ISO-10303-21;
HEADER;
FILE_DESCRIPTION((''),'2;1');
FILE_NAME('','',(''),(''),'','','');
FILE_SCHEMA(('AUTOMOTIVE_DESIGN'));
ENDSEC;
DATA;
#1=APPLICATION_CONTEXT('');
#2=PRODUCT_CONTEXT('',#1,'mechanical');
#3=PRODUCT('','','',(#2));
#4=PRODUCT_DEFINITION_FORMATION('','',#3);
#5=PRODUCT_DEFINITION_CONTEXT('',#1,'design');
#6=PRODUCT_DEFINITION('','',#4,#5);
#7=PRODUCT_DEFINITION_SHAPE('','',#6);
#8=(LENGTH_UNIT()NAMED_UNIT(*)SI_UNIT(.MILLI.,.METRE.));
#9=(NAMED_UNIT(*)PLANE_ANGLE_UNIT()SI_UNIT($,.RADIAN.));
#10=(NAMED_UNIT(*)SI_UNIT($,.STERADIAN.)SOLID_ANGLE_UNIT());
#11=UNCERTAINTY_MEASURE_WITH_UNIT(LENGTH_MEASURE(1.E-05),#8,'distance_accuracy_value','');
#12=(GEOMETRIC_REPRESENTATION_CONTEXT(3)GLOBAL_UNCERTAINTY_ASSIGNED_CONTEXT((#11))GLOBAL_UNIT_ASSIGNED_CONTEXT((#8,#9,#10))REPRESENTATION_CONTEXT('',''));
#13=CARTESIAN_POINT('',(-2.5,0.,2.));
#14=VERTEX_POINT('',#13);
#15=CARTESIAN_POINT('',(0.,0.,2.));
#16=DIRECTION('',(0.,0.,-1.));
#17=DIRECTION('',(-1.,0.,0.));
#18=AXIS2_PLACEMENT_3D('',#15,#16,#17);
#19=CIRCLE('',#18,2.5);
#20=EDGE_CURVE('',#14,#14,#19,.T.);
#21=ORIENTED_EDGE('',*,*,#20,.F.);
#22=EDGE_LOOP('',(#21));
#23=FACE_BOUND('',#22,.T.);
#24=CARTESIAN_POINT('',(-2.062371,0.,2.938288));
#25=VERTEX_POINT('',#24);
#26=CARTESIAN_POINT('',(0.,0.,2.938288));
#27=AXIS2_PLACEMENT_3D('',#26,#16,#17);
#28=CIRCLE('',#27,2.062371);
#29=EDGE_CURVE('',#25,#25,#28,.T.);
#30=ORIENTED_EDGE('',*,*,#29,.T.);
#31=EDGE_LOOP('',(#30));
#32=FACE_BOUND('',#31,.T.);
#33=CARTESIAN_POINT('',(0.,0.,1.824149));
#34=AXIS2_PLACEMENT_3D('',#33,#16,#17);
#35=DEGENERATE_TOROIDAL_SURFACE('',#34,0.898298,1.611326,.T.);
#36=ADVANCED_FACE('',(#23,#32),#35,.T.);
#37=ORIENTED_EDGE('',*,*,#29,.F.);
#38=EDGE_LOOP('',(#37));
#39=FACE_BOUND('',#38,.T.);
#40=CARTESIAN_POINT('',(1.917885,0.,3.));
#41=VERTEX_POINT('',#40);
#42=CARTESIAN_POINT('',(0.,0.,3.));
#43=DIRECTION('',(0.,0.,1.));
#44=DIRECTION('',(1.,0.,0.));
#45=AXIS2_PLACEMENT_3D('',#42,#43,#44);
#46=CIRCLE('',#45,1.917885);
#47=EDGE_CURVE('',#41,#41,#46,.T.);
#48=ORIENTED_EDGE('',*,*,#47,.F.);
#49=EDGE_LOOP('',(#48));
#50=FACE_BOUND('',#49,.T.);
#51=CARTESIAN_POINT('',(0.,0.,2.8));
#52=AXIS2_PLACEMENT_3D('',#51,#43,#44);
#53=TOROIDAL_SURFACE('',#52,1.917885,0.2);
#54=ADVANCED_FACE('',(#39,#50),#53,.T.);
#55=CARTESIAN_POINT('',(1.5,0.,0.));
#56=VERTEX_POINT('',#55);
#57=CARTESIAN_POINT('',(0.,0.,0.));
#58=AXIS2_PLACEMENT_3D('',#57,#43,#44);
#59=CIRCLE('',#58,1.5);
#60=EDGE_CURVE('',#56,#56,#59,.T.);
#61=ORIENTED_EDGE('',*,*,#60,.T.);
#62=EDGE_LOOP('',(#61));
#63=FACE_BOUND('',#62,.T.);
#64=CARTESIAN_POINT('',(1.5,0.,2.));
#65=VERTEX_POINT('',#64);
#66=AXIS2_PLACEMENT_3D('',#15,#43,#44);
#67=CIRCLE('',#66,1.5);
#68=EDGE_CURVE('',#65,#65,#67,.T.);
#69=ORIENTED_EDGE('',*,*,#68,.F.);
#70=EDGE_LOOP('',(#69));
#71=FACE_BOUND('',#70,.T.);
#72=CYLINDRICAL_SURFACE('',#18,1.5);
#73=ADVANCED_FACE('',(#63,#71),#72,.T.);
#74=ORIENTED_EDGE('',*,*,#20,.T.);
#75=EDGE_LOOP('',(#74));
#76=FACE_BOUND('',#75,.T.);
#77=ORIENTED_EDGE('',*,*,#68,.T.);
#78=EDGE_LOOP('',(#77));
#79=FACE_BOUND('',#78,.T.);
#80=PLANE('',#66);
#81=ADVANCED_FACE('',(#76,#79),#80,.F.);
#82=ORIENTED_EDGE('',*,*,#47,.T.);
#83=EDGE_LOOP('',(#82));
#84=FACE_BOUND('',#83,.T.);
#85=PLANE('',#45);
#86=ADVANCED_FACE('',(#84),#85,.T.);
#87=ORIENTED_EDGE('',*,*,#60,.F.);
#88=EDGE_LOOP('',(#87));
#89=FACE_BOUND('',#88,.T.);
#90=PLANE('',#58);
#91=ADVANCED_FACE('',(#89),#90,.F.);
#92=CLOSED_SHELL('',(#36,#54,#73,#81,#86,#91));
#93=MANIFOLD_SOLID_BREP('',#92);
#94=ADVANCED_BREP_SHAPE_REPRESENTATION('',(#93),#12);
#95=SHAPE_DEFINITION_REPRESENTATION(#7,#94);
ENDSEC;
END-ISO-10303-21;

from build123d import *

# Parameters (mm, degrees)
CROQUIS1_R              = 1.5
SALIENTE_EXTRUIR1_DEPTH = 2
CROQUIS2_R              = 2.5
SALIENTE_EXTRUIR2_DEPTH = 1
REDONDEO3_R             = 0.2


with BuildPart() as part:
    # Croquis1 → Saliente-Extruir1 (new body)
    with BuildSketch(Plane.XY):
        Circle(CROQUIS1_R)
    extrude(amount=SALIENTE_EXTRUIR1_DEPTH)

    # Croquis2 → Saliente-Extruir2 (add)
    with BuildSketch(Plane.XY.offset(2)):
        Circle(CROQUIS2_R)
    extrude(amount=SALIENTE_EXTRUIR2_DEPTH)

    # Croquis3 → Cortar-Revolución1 (revolve, cut)
    with BuildSketch(Plane(origin=(0, 0, 0), x_dir=(0, 0, -1), z_dir=(1, 0, 0)), mode=Mode.PRIVATE) as cortar_revoluci_n1_sk:
        with BuildLine():
            Line((-2, 2.5), (-3, 2.5))
            Line((-3, 2.5), (-3, 2))
            ThreePointArc((-3, 2), (-2.54475609, 2.33951218), (-2, 2.5))
        make_face()
    revolve(cortar_revoluci_n1_sk.sketch.rotate(Axis((0, 0, 0), (0, 0, 1)), 90), axis=Axis((0, 0, 0), (0, 0, 1)), mode=Mode.SUBTRACT)

    # Redondeo3
    redondeo3_edges = [part.edges().sort_by_distance(p)[0] for p in [
        (2, 0, 3),
    ]]
    fillet(redondeo3_edges, radius=REDONDEO3_R)


solid = part.part
